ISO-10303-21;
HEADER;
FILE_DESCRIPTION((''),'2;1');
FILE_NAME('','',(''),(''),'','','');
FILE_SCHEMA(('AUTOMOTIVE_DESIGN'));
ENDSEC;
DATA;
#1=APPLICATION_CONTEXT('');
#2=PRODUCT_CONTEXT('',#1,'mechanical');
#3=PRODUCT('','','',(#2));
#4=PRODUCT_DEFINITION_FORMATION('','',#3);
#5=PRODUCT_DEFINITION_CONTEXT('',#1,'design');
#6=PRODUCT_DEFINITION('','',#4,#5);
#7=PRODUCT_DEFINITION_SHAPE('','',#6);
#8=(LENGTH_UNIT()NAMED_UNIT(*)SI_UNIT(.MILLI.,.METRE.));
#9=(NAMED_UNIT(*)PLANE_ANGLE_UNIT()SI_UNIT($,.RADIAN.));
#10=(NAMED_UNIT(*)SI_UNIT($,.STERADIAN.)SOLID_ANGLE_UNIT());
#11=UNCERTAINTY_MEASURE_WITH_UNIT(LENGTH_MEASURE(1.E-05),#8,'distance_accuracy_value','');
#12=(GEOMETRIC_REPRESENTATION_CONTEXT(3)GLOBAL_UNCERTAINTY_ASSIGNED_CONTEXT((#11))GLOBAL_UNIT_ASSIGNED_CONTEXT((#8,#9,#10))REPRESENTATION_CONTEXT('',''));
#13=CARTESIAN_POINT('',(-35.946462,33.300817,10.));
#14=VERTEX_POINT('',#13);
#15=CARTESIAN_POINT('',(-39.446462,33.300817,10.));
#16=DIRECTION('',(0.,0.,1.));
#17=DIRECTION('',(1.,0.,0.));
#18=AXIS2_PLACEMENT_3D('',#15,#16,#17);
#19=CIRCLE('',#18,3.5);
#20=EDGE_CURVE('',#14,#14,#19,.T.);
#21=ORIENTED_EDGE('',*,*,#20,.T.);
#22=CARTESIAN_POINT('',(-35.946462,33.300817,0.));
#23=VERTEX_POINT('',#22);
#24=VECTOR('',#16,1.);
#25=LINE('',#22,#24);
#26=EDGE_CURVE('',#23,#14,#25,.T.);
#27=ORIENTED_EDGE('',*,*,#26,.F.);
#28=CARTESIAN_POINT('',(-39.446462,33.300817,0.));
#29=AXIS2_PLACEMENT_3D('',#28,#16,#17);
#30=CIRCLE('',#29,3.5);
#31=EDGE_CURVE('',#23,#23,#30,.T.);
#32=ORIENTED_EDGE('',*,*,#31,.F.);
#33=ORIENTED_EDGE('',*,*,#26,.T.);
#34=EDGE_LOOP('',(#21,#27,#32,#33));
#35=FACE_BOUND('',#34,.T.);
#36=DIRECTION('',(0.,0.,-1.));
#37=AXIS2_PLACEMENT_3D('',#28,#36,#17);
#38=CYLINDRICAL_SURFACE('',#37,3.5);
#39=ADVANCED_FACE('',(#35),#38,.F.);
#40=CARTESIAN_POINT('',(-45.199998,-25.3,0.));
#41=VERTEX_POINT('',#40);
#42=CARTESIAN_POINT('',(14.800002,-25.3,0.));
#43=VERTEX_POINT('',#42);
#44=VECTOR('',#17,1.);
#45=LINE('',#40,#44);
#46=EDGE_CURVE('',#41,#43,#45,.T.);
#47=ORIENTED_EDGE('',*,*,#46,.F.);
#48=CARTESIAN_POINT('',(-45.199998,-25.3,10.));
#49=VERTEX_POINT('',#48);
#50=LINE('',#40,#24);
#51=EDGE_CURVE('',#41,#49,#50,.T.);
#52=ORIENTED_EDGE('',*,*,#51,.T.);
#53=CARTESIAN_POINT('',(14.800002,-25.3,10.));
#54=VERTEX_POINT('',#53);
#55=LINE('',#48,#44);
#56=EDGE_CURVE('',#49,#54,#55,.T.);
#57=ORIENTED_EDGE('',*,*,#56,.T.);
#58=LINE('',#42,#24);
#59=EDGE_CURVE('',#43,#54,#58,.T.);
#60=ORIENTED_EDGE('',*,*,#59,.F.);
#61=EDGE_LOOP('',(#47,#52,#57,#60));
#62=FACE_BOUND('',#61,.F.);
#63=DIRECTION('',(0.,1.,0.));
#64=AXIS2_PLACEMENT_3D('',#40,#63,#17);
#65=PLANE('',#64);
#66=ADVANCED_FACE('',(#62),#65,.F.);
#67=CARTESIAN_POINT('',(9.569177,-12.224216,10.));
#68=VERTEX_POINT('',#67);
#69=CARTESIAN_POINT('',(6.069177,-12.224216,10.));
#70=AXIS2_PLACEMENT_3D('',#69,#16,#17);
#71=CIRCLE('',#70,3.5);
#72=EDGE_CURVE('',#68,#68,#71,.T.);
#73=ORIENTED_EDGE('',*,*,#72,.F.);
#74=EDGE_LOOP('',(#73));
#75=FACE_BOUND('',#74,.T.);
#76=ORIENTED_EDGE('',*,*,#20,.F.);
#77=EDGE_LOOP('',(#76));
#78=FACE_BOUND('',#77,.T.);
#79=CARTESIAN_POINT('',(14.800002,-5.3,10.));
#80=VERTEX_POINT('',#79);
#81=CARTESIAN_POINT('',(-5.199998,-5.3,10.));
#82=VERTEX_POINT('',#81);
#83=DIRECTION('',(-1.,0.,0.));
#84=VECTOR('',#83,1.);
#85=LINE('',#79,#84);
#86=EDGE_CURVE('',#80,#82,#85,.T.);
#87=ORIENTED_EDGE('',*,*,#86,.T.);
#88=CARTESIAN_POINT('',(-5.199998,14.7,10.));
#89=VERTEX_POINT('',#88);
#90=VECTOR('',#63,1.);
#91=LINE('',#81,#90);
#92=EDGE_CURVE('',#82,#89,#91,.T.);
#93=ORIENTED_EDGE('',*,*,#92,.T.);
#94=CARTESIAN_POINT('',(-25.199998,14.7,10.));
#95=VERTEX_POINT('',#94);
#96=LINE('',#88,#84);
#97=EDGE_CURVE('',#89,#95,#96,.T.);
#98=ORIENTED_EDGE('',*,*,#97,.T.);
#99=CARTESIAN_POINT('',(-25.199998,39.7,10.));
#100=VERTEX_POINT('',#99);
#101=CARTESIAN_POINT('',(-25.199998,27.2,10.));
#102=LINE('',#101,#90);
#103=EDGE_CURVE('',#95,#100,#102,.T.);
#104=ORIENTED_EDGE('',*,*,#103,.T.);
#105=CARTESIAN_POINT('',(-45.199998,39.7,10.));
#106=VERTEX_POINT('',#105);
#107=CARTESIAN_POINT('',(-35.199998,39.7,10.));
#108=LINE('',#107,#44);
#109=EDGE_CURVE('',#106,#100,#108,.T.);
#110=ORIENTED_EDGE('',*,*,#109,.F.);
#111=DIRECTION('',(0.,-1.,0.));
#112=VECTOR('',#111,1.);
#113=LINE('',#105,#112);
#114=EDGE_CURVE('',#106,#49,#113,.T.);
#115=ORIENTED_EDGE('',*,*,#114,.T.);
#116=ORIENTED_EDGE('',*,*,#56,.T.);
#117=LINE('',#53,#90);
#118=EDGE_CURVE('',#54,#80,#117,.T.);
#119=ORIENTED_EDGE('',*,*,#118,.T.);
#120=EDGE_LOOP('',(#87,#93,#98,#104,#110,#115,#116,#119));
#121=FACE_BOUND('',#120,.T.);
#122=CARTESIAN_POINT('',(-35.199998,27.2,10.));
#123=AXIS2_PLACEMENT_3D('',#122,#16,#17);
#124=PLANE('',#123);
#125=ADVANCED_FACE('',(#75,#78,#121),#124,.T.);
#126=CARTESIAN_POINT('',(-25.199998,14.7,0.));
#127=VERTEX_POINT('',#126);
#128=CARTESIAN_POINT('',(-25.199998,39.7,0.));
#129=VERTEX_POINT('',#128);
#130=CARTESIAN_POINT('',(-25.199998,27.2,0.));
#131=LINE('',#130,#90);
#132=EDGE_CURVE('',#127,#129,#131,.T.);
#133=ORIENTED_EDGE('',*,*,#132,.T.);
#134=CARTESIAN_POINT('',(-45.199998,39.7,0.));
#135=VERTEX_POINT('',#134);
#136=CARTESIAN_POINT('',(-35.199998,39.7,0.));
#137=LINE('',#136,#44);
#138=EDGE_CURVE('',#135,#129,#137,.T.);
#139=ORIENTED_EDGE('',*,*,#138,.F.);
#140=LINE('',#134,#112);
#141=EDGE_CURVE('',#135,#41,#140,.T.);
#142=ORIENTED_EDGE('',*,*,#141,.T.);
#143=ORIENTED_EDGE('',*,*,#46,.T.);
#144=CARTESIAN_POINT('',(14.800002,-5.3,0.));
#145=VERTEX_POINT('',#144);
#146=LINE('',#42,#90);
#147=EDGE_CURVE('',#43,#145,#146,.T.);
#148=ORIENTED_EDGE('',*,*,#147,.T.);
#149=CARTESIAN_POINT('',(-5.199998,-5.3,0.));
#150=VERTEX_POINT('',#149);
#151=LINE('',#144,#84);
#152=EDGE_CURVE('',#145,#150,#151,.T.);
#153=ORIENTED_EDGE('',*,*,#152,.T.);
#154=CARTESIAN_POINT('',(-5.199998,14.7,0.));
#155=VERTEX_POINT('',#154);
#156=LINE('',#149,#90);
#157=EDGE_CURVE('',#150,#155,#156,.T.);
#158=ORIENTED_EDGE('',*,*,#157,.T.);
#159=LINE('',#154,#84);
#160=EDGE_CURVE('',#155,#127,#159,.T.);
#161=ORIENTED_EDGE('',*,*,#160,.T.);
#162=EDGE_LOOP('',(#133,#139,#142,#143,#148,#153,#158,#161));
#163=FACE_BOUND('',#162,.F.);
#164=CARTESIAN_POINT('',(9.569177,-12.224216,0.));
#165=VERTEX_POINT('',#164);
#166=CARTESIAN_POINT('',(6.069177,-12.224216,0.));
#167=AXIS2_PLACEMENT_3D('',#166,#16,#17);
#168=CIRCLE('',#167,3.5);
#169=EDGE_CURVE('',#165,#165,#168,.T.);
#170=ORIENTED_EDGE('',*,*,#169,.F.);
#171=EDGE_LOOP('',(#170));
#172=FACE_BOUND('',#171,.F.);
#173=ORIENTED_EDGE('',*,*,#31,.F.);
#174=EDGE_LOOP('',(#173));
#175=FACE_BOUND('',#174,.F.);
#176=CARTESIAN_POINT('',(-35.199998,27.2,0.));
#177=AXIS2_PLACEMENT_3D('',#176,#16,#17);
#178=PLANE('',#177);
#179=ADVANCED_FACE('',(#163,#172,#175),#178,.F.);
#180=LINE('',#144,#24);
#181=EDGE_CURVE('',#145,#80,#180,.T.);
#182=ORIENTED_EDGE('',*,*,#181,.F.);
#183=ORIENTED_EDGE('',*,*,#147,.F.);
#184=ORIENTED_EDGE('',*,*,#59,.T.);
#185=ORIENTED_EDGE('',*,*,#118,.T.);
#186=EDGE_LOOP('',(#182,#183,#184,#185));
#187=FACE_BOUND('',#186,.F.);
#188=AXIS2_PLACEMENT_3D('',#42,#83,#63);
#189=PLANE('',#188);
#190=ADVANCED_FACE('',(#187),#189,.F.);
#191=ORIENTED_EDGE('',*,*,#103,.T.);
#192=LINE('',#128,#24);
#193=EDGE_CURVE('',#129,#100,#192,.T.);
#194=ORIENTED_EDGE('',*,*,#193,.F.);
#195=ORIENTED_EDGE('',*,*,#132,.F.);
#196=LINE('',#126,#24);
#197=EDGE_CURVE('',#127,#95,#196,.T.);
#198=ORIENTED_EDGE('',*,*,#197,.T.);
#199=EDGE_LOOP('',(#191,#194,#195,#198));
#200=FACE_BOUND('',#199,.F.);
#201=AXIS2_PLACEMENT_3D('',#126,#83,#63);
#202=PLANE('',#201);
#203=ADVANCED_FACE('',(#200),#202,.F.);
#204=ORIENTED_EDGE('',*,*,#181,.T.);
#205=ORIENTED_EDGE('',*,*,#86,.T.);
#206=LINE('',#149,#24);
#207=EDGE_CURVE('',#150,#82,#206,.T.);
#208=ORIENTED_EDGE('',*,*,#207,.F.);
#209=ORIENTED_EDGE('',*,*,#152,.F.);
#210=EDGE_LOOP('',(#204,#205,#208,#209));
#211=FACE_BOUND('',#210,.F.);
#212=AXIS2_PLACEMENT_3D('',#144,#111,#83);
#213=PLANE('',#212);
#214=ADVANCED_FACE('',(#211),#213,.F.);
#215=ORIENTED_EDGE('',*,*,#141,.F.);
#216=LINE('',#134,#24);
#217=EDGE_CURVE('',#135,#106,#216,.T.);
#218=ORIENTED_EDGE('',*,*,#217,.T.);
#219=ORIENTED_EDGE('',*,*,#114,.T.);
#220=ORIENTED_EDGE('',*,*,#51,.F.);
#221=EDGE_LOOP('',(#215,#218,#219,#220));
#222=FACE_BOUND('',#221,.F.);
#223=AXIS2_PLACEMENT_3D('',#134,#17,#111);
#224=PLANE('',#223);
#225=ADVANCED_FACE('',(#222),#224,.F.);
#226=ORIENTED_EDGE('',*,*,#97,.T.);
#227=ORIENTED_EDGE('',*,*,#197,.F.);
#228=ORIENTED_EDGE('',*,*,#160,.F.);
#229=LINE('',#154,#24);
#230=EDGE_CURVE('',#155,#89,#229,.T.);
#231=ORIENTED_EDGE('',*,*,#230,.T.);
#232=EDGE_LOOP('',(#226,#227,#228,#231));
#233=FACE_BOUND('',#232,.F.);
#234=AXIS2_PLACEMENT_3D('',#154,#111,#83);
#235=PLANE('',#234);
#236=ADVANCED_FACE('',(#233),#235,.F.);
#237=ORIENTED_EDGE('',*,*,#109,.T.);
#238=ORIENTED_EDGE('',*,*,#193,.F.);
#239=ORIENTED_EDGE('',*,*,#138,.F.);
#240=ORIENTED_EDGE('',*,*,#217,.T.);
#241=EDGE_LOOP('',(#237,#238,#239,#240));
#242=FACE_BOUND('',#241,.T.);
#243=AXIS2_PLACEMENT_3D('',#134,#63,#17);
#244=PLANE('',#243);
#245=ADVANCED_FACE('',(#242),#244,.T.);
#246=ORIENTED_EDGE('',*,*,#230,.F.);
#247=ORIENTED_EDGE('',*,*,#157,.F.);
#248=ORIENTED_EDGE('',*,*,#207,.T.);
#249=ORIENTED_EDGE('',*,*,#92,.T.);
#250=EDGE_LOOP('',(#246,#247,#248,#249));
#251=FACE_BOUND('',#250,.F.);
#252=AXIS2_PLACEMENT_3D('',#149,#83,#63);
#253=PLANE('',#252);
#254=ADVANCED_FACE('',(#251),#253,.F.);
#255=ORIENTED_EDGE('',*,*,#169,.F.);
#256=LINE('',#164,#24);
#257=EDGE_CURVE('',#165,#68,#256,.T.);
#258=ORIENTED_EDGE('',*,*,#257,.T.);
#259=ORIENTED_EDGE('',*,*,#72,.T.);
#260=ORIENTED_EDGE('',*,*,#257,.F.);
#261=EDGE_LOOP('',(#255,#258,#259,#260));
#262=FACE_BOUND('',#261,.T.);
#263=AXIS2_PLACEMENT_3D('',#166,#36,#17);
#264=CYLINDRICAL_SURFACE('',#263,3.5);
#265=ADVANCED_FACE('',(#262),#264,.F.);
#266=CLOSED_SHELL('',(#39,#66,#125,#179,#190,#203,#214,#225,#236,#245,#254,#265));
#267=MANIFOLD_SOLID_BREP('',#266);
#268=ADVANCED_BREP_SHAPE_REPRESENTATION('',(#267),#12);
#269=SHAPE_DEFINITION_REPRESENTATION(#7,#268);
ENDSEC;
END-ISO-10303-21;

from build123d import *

# Parameters (mm, degrees)
F0_W     = 20
F0_H     = 25
F0_R     = 3.5
F1_DEPTH = 10


with BuildPart() as f1:
    # F0 (on Top) → F1 (new body)
    with BuildSketch(Plane.XY):
        with Locations((-35.199998, 27.2)):
            Rectangle(F0_W, F0_H)
        with Locations((-39.446462, 33.300817)):
            Circle(F0_R, mode=Mode.SUBTRACT)
        Polygon((-5.199998, -5.3), (-45.199998, -5.3), (-45.199998, -25.3), (14.800002, -25.3), (14.800002, -5.3), align=None)
        with Locations((6.069177, -12.224216)):
            Circle(F0_R, mode=Mode.SUBTRACT)
        Polygon((-25.199998, 14.7), (-45.199998, 14.7), (-45.199998, -5.3), (-5.199998, -5.3), (-5.199998, 14.7), align=None)
    extrude(amount=F1_DEPTH)


solid = f1.part
